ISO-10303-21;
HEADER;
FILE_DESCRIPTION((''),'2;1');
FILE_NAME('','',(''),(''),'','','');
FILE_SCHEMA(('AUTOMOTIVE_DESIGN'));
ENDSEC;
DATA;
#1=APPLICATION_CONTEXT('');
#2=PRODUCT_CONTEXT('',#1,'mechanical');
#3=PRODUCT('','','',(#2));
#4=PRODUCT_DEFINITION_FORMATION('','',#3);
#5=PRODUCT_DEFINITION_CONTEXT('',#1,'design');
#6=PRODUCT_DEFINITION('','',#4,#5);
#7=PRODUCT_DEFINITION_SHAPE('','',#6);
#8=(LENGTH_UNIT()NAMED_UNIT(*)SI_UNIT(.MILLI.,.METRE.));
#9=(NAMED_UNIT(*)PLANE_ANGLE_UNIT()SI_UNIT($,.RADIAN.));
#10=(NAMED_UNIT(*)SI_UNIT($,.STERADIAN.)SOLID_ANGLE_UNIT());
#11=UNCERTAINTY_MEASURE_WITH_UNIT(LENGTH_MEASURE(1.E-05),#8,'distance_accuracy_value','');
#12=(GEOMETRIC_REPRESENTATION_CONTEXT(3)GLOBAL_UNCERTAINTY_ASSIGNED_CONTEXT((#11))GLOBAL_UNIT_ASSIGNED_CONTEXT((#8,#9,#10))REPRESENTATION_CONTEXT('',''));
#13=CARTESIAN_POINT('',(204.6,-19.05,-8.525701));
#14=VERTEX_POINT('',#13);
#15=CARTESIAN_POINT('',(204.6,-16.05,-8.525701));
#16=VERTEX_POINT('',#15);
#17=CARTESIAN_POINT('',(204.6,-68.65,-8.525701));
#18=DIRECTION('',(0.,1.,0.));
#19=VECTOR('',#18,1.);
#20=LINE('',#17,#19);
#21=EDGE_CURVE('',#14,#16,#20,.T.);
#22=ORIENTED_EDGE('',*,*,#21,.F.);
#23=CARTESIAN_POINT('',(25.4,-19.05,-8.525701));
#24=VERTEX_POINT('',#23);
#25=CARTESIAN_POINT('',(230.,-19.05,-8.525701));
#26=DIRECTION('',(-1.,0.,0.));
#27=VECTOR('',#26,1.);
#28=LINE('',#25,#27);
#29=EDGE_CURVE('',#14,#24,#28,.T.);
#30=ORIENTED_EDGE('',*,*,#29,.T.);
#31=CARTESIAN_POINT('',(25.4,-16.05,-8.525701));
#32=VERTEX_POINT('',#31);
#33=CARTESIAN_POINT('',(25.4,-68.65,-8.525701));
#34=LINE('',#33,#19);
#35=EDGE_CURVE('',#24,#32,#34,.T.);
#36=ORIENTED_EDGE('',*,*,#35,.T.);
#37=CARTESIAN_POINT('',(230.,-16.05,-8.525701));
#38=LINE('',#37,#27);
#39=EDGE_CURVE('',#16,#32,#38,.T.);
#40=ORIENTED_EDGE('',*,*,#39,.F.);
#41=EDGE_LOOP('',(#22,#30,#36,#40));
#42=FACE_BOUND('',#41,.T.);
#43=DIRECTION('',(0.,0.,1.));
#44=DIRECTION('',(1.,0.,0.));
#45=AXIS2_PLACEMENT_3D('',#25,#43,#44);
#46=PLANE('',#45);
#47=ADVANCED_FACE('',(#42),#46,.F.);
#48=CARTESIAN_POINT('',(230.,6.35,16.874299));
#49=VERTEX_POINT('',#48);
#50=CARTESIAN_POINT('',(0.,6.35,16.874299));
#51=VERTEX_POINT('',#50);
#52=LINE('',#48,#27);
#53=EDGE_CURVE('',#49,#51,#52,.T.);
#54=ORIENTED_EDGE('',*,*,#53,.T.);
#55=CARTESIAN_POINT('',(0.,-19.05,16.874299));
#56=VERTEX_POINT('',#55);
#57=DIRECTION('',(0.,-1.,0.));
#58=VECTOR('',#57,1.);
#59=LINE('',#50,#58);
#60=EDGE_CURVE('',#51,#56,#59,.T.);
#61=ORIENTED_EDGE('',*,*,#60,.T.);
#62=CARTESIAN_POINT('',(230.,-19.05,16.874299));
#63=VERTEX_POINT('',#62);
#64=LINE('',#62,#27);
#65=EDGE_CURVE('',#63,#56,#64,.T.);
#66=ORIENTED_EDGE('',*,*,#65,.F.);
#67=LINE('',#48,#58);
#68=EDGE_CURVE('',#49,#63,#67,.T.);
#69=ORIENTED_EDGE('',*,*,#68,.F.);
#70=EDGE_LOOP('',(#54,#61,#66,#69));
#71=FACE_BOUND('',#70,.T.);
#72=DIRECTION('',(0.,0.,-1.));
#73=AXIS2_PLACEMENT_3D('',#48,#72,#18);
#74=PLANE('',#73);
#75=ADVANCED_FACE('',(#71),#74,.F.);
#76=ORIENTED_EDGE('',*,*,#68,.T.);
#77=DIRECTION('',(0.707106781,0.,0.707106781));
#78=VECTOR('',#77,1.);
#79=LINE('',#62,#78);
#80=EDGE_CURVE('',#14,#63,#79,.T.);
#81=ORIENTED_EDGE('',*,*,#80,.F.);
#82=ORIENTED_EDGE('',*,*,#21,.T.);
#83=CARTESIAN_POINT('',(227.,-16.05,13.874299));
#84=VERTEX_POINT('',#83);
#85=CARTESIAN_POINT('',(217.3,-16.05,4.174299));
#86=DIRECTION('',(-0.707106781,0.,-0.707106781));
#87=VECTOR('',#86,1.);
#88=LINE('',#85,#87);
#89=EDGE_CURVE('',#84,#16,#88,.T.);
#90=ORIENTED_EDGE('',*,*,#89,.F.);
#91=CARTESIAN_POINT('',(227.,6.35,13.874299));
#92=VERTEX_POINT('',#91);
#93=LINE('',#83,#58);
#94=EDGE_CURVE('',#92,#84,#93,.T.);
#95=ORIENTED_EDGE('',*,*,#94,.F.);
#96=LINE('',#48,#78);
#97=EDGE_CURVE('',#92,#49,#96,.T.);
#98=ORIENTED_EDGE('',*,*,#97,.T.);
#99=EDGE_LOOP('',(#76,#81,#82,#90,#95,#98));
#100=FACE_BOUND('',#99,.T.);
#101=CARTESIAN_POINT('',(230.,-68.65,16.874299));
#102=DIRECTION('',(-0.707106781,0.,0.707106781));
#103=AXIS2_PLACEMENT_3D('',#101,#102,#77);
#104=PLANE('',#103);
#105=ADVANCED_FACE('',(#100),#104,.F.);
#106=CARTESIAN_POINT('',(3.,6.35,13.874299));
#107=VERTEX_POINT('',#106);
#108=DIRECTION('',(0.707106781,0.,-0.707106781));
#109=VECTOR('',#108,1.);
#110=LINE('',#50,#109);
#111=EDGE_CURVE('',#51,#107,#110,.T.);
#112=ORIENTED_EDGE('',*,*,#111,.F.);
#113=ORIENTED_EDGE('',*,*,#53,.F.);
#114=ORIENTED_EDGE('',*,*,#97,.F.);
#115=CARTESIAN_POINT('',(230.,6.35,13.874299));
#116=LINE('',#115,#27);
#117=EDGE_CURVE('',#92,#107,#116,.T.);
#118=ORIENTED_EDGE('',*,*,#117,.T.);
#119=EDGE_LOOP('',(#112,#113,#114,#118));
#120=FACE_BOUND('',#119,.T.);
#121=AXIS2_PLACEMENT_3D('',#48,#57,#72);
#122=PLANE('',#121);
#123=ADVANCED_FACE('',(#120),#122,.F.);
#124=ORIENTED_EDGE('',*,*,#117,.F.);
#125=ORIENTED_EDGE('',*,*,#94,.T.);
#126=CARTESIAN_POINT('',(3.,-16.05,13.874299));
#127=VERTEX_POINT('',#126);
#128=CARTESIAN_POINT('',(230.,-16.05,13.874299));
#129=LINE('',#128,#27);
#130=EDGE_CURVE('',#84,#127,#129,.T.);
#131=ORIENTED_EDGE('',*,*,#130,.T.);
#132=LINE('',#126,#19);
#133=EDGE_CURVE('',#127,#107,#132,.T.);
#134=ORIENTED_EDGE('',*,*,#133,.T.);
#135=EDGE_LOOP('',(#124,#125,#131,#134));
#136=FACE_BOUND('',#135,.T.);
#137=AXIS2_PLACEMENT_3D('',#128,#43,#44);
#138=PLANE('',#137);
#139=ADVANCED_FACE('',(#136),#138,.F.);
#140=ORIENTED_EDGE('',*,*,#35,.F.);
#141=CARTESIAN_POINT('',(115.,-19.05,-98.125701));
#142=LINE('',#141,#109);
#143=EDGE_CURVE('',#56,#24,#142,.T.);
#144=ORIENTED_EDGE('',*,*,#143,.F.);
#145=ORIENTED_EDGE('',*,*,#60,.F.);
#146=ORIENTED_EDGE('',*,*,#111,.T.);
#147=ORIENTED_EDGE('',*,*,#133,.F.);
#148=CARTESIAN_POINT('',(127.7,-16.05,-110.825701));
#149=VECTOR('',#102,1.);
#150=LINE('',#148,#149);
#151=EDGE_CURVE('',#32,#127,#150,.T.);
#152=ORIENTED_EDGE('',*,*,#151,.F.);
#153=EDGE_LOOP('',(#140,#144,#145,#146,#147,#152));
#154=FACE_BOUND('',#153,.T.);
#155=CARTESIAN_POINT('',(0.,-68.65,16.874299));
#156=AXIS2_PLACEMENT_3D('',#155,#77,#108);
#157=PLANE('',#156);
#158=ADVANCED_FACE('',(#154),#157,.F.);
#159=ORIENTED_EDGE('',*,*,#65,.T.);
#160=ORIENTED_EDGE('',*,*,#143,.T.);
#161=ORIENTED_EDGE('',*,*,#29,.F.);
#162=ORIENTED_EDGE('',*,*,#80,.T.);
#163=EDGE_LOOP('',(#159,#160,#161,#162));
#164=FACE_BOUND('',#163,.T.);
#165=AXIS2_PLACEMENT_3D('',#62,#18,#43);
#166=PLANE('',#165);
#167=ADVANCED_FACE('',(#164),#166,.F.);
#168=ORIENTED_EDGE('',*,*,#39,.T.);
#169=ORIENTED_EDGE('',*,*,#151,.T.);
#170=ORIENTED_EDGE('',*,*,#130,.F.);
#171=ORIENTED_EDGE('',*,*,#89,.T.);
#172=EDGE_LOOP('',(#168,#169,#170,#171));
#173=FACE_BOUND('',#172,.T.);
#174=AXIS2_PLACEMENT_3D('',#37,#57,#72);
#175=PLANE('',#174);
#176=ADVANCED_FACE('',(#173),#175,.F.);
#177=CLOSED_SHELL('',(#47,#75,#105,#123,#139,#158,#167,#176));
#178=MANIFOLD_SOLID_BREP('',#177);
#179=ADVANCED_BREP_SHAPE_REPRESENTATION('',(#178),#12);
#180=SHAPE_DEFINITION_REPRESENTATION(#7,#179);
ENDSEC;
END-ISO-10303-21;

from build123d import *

# Parameters (mm, degrees)
SALIENTE_EXTRUIR1_DEPTH = 230
CORTAR_EXTRUIR1_DEPTH   = 75


with BuildPart() as part:
    # Croquis1 → Saliente-Extruir1 (new body)
    with BuildSketch(Plane(origin=(0, 0, 0), x_dir=(0, 0, -1), z_dir=(1, 0, 0))):
        Polygon((-16.874298957, 6.35), (-16.874298957, -19.05), (8.525701043, -19.05), (8.525701043, -16.05), (-13.874298957, -16.05), (-13.874298957, 6.35), align=None)
    extrude(amount=SALIENTE_EXTRUIR1_DEPTH)

    # Croquis2 → Cortar-Extruir1 (cut)
    with BuildSketch(Plane(origin=(0, 6.35, 0), x_dir=(1, 0, 0), z_dir=(0, 1, 0))):
        Polygon((0, -16.874298957), (25.4, 8.525701043), (0, 8.525701043), align=None)
        Polygon((230, -16.874298957), (204.6, 8.525701043), (230, 8.525701043), align=None)
    extrude(amount=-CORTAR_EXTRUIR1_DEPTH, mode=Mode.SUBTRACT)


solid = part.part
